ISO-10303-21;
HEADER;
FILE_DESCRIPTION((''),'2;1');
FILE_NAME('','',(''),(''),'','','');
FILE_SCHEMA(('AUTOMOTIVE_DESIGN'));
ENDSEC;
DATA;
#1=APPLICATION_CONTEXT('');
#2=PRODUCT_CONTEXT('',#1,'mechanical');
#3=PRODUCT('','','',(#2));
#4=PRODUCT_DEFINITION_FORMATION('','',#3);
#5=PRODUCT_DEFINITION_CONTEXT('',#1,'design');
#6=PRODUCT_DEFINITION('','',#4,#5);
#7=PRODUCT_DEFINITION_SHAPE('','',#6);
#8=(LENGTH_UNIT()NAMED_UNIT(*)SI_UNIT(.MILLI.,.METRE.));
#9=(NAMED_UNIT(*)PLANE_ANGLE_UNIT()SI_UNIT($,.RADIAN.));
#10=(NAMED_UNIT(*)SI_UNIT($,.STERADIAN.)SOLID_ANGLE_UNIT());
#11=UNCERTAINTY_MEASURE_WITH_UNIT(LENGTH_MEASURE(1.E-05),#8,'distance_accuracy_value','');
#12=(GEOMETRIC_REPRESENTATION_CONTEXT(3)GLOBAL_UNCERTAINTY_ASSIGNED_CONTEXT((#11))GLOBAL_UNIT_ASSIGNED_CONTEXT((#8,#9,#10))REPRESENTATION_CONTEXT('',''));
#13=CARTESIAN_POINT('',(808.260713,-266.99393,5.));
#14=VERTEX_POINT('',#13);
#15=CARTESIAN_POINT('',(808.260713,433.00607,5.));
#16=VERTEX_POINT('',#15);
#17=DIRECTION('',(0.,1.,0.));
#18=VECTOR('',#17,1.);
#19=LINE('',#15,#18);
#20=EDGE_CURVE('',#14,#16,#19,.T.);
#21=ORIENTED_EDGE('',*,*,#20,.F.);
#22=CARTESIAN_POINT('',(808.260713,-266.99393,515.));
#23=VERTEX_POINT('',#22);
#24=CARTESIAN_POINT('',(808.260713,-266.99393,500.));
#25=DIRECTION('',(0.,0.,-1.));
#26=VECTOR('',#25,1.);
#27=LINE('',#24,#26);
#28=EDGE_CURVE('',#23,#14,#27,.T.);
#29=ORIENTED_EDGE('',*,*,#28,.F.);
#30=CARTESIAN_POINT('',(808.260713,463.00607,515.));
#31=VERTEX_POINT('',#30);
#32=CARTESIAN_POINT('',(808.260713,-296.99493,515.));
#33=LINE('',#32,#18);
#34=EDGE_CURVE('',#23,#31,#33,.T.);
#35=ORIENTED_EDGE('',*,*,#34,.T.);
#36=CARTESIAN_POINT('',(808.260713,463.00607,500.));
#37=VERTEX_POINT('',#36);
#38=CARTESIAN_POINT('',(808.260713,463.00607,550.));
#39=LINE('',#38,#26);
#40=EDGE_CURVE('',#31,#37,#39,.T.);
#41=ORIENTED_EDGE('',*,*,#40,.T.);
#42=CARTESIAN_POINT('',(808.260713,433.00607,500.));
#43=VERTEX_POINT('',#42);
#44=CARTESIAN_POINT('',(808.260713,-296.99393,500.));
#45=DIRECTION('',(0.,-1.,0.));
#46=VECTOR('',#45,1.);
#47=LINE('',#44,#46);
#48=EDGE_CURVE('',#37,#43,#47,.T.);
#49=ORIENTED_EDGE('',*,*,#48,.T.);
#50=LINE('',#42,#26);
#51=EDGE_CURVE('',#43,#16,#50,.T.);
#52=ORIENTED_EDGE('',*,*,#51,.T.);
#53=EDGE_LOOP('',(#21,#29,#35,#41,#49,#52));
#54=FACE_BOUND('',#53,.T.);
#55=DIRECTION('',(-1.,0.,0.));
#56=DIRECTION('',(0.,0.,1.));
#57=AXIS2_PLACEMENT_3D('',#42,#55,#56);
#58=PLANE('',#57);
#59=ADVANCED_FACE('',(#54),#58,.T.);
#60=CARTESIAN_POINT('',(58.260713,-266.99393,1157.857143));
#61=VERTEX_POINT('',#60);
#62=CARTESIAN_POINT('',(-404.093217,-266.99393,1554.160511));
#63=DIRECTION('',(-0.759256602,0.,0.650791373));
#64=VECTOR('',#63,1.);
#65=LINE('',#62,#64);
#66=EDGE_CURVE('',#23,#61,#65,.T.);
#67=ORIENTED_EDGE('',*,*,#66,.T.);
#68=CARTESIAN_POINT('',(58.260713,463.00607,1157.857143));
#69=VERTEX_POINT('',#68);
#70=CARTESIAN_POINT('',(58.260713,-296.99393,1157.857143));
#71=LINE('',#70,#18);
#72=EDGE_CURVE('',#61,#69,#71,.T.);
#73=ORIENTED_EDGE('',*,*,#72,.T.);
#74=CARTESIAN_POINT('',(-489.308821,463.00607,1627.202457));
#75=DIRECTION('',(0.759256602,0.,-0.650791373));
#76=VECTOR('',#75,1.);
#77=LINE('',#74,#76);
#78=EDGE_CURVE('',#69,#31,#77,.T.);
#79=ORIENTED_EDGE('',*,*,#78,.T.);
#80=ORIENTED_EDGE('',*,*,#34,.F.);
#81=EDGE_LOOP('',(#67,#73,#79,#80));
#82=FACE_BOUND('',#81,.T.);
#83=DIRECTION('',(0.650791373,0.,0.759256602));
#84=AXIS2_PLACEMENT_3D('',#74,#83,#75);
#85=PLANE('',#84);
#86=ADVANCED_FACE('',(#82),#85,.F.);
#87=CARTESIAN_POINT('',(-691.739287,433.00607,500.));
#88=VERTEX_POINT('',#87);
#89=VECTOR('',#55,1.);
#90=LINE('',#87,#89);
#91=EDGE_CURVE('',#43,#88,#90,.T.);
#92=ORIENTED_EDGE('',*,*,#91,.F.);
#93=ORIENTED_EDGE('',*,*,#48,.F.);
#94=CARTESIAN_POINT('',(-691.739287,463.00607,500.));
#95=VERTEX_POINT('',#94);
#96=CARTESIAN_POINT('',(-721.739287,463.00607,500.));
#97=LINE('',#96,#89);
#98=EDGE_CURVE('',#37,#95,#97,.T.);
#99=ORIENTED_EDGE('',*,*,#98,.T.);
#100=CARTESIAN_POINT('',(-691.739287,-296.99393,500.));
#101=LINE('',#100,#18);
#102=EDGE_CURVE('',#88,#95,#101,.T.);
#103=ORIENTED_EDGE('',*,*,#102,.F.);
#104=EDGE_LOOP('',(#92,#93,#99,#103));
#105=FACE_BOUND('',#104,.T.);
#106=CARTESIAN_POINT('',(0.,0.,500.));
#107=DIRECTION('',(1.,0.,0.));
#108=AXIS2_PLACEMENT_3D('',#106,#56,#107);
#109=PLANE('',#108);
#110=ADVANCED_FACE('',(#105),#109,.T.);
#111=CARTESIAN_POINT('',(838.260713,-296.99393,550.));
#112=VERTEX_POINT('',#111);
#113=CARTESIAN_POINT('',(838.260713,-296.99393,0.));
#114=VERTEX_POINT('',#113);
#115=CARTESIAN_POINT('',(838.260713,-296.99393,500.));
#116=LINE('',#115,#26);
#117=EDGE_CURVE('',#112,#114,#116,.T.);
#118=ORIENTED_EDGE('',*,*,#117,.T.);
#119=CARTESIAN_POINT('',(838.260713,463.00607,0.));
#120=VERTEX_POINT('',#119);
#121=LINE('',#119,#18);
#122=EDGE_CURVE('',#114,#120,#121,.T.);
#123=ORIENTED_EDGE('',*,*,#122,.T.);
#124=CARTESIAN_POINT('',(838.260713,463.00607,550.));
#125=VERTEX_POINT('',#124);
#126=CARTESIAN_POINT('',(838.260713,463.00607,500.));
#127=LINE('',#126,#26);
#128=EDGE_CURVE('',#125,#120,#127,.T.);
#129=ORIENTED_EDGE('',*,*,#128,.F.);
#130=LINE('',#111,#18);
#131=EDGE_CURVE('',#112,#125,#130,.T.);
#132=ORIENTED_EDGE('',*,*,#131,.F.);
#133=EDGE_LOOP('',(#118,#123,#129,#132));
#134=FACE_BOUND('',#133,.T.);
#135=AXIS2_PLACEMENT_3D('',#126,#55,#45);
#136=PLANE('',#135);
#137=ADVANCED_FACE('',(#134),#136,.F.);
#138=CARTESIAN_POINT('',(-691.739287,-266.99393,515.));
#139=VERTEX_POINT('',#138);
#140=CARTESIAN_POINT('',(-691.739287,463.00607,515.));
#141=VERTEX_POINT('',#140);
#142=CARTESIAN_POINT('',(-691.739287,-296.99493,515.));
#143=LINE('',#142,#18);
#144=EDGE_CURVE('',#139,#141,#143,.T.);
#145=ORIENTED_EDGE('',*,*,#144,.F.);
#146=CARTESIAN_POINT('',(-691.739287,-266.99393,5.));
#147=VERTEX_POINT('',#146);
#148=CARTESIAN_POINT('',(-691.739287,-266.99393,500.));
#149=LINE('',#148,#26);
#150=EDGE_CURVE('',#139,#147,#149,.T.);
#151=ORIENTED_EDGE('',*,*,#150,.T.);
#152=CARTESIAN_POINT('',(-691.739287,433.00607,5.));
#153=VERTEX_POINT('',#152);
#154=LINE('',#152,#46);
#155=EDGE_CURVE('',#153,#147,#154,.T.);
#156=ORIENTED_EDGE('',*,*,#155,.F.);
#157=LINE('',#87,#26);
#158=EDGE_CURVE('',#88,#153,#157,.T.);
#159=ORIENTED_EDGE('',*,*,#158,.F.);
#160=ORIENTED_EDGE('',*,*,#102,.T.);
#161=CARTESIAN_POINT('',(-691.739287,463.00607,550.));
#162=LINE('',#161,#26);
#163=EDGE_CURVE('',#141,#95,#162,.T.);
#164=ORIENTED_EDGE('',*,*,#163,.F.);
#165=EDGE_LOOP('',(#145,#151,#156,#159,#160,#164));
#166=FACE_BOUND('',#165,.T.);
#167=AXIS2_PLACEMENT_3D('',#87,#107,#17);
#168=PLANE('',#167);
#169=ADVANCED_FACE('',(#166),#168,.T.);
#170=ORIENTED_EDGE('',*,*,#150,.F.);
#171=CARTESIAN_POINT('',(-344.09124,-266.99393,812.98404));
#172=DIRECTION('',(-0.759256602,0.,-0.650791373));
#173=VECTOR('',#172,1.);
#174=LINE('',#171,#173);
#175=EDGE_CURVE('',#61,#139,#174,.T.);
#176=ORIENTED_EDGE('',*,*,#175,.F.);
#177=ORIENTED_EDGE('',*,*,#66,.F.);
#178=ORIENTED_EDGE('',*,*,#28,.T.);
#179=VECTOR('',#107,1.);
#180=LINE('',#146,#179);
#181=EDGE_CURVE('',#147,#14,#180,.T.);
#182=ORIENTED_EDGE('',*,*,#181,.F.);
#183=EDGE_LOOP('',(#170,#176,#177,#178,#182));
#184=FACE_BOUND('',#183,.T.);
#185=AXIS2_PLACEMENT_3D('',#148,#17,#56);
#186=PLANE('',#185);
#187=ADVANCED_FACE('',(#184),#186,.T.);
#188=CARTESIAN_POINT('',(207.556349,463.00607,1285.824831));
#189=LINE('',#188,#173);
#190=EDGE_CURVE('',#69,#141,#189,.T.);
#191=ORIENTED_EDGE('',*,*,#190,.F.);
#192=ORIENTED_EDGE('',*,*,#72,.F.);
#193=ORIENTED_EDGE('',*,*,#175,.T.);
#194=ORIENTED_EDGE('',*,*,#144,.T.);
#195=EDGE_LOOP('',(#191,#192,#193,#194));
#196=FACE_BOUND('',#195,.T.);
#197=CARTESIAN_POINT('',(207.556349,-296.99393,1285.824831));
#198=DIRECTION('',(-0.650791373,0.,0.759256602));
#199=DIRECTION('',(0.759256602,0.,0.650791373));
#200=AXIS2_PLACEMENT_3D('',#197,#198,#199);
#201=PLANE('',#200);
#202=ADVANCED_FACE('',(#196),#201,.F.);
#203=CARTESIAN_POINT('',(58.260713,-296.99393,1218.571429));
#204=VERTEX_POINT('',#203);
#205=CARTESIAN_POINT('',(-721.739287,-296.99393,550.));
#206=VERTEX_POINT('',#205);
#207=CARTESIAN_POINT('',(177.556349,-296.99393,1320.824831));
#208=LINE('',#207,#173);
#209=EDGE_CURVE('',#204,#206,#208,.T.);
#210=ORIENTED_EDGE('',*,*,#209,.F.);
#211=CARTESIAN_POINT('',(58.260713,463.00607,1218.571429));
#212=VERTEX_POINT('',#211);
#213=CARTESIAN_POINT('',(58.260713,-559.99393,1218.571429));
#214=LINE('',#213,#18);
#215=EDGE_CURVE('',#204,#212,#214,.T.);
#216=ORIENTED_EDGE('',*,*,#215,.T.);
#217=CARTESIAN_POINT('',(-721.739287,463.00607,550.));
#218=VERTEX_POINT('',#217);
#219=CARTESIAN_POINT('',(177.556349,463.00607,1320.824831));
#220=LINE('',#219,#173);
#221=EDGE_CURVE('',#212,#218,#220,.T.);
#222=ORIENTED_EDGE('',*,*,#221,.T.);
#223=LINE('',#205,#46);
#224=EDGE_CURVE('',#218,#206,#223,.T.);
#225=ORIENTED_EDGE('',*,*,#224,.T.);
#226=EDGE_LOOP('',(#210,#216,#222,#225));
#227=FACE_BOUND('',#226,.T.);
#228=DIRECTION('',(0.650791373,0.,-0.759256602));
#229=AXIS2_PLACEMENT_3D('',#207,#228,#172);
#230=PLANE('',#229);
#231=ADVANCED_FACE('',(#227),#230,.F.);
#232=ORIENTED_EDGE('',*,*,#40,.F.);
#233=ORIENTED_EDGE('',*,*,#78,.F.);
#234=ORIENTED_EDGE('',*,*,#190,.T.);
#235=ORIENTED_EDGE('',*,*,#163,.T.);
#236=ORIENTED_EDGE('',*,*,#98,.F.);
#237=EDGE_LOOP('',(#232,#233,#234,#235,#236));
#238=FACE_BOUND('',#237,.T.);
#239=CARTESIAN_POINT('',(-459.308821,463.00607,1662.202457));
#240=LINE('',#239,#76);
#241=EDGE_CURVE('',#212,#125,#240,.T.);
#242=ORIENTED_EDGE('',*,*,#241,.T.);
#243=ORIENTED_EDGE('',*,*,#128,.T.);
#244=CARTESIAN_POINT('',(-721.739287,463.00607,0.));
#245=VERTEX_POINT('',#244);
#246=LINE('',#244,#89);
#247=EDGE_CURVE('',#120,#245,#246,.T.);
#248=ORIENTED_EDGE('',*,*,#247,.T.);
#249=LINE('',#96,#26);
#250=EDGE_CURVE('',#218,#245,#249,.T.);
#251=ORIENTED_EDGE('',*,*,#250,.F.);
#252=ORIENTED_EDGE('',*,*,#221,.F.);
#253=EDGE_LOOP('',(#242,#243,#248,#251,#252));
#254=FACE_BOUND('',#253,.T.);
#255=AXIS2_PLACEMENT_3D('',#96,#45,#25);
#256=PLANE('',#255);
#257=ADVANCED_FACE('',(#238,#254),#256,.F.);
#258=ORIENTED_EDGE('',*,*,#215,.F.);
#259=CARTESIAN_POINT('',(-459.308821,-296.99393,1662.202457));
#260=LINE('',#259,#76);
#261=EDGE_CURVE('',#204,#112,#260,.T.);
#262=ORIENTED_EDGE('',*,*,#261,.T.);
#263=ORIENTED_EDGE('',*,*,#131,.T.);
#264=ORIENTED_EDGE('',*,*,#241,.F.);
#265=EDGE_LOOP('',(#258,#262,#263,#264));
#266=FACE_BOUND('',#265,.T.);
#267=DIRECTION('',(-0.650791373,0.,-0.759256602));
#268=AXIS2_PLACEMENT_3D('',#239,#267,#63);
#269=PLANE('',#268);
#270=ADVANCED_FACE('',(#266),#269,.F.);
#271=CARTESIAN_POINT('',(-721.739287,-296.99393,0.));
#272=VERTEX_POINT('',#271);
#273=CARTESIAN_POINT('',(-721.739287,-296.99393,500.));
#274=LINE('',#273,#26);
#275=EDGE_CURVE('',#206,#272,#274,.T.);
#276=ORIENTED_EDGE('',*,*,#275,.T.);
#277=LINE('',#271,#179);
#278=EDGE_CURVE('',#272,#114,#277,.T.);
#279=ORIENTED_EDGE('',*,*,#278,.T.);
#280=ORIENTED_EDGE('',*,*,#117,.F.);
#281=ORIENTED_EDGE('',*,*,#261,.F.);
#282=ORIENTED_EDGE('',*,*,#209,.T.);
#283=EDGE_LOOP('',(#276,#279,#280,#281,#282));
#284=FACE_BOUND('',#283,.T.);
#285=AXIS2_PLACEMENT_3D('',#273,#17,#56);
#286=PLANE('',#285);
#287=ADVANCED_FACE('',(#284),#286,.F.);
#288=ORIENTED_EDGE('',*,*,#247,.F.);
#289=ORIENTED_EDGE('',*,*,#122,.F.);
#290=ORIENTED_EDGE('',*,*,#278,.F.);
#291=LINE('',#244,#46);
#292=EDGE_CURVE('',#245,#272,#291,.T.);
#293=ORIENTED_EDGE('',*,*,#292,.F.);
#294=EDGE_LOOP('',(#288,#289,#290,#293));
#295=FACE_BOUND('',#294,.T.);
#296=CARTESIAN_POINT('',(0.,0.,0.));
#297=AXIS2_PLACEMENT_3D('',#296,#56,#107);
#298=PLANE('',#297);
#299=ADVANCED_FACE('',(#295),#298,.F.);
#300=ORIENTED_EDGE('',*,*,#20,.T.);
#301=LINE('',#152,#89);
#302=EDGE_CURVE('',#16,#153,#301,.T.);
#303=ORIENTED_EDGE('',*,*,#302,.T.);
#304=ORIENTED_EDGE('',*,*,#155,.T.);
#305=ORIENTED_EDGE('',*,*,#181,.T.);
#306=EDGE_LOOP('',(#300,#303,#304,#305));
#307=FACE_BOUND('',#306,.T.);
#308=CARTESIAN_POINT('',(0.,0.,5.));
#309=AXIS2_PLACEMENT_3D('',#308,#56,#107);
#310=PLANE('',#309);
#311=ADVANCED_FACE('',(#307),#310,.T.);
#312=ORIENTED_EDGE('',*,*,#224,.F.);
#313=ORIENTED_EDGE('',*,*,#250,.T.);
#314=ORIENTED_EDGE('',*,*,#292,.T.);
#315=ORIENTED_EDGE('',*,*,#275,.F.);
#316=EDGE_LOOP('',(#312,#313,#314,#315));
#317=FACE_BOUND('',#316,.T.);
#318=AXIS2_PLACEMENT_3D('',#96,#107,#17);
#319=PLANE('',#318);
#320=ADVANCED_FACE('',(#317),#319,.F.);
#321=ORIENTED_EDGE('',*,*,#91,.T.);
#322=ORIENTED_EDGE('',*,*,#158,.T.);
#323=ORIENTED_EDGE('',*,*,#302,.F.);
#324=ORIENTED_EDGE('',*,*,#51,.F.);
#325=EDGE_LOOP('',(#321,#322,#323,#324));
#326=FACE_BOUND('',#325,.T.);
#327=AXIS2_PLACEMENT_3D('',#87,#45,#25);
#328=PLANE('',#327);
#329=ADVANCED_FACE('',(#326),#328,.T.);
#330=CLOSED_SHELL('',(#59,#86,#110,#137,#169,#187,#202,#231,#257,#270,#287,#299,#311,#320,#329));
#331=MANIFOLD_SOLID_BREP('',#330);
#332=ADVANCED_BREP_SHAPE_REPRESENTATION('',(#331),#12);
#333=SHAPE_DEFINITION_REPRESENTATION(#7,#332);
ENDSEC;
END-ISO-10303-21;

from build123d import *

# Parameters (mm, degrees)
SKETCH1_W           = 1560
SKETCH1_H           = 760
SKETCH1_W_2         = 1500
SKETCH1_H_2         = 700
BOSS_EXTRUDE1_DEPTH = 500
SKETCH2_W           = 1500
SKETCH2_H           = 700
BOSS_EXTRUDE2_DEPTH = 5
SKETCH5_W           = 30
SKETCH5_H           = 760
BOSS_EXTRUDE3_DEPTH = 50
CUT_EXTRUDE1_REACH  = 1260.086
SKETCH7_W           = 46.097722286
SKETCH7_H           = 760
BOSS_EXTRUDE4_DEPTH = 1709
SKETCH8_W           = 30
SKETCH8_H           = 760
BOSS_EXTRUDE5_DEPTH = 50
CUT_EXTRUDE2_REACH  = 2012.771
BOSS_EXTRUDE6_REACH = 2092.258
SKETCH11_W          = 46.097722286
SKETCH11_H          = 760
CUT_EXTRUDE4_DEPTH  = 1023
CUT_EXTRUDE5_DEPTH  = 1023
BOSS_EXTRUDE7_REACH = 1199.247
SKETCH14_W          = 1500
SKETCH14_H          = 30


with BuildPart() as part:
    # Sketch1 → Boss-Extrude1 (new body)
    with BuildSketch(Plane.XY):
        with Locations((58.260712741, 83.006069765)):
            Rectangle(SKETCH1_W, SKETCH1_H)
        with Locations((58.260712741, 83.006069765)):
            Rectangle(SKETCH1_W_2, SKETCH1_H_2, mode=Mode.SUBTRACT)
    extrude(amount=BOSS_EXTRUDE1_DEPTH)

    # Sketch2 → Boss-Extrude2 (add)
    with BuildSketch(Plane.XY):
        with Locations((58.260712741, 83.006069765)):
            Rectangle(SKETCH2_W, SKETCH2_H)
    extrude(amount=BOSS_EXTRUDE2_DEPTH)

    # Sketch5 → Boss-Extrude3 (add)
    with BuildSketch(Plane.XY.offset(500)):
        with Locations((823.260712741, 83.006069765)):
            Rectangle(SKETCH5_W, SKETCH5_H)
    extrude(amount=BOSS_EXTRUDE3_DEPTH)

    # Sketch6 → Cut-Extrude1 (cut, up to next)
    with BuildSketch(Plane(origin=(0, 463.006069765, 0), x_dir=(1, 0, 0), z_dir=(0, 1, 0)), mode=Mode.PRIVATE) as cut_extrude1_sk1:
        Polygon((838.260712741, -550), (808.260712741, -515), (808.260712741, -550), align=None)
    cut_extrude1_tool1 = extrude(cut_extrude1_sk1.sketch, amount=-CUT_EXTRUDE1_REACH, mode=Mode.PRIVATE) & part.part
    add(cut_extrude1_tool1.solids().sort_by_distance((818.260713, 463.00607, 538.333333))[0], mode=Mode.SUBTRACT)

    # Sketch7 → Boss-Extrude4 (add)
    with BuildSketch(Plane(origin=(211.467940286, 0, -181.258234531), x_dir=(0.6507913734559673, 0, 0.7592566023652978), z_dir=(-0.7592566023652978, 0, 0.6507913734559673))):
        with Locations((940.075110717, 83.006069765)):
            Rectangle(SKETCH7_W, SKETCH7_H)
    extrude(amount=BOSS_EXTRUDE4_DEPTH)

    # Sketch8 → Boss-Extrude5 (add)
    with BuildSketch(Plane.XY.offset(500)):
        with Locations((-706.739287259, 83.006069765)):
            Rectangle(SKETCH8_W, SKETCH8_H)
    extrude(amount=BOSS_EXTRUDE5_DEPTH)

    # Sketch10 → Cut-Extrude2 (cut, up to next)
    with BuildSketch(Plane(origin=(0, 463.006069765, 0), x_dir=(1, 0, 0), z_dir=(0, 1, 0)), mode=Mode.PRIVATE) as cut_extrude2_sk1:
        Polygon((-691.739287259, -550), (-691.739287259, -515), (-721.739287259, -550), align=None)
    cut_extrude2_tool1 = extrude(cut_extrude2_sk1.sketch, amount=-CUT_EXTRUDE2_REACH, mode=Mode.PRIVATE) & part.part
    add(cut_extrude2_tool1.solids().sort_by_distance((-701.739287, 463.00607, 538.333333))[0], mode=Mode.SUBTRACT)

    # Boss-Extrude6: up to this plane
    boss_extrude6_end = Plane(origin=(-489.308820701, 463.006069765, 1627.202457236), z_dir=(0.6507913734559673, 0, 0.7592566023652978))
    # Sketch11 → Boss-Extrude6 (add, up to the surface)
    with BuildSketch(Plane(origin=(-144.296765596, 0, -123.682941939), x_dir=(0.6507913734559686, 0, -0.7592566023652966), z_dir=(0.7592566023652966, 0, 0.6507913734559686)), mode=Mode.PRIVATE) as boss_extrude6_sk1:
        with Locations((-864.24397219, 83.006069765)):
            Rectangle(SKETCH11_W, SKETCH11_H)
    boss_extrude6_tool1 = split(extrude(boss_extrude6_sk1.sketch, amount=BOSS_EXTRUDE6_REACH, mode=Mode.PRIVATE), bisect_by=boss_extrude6_end, keep=Keep.BOTH, mode=Mode.PRIVATE)
    add(boss_extrude6_tool1.solids().sort_by_distance((-706.739287, 83.00607, 532.5))[0])

    # Sketch12 → Cut-Extrude4 (cut)
    with BuildSketch(Plane(origin=(0, 463.006069765, 0), x_dir=(1, 0, 0), z_dir=(0, 1, 0))):
        Polygon((55.536353767, -1220.906593407), (-459.308820701, -1662.202457236), (-489.308820701, -1627.202457236), (22.844046075, -1188.214285714), align=None)
    extrude(amount=-CUT_EXTRUDE4_DEPTH, mode=Mode.SUBTRACT)

    # Sketch13 → Cut-Extrude5 (cut)
    with BuildSketch(Plane(origin=(0, 463.006069765, 0), x_dir=(1, 0, 0), z_dir=(0, 1, 0))):
        Polygon((22.844046075, -1188.214285714), (58.260712741, -1218.571428571), (55.536353767, -1220.906593407), align=None)
    extrude(amount=-CUT_EXTRUDE5_DEPTH, mode=Mode.SUBTRACT)

    # Sketch14 → Boss-Extrude7 (add, up to next)
    with BuildSketch(Plane.XY.offset(500), mode=Mode.PRIVATE) as boss_extrude7_sk1:
        with Locations((58.260712741, -281.993930235)):
            Rectangle(SKETCH14_W, SKETCH14_H)
    boss_extrude7_tool1 = extrude(boss_extrude7_sk1.sketch, amount=BOSS_EXTRUDE7_REACH, mode=Mode.PRIVATE) - part.part
    add(boss_extrude7_tool1.solids().sort_by_distance((58.260713, -281.99393, 500))[0])


solid = part.part
